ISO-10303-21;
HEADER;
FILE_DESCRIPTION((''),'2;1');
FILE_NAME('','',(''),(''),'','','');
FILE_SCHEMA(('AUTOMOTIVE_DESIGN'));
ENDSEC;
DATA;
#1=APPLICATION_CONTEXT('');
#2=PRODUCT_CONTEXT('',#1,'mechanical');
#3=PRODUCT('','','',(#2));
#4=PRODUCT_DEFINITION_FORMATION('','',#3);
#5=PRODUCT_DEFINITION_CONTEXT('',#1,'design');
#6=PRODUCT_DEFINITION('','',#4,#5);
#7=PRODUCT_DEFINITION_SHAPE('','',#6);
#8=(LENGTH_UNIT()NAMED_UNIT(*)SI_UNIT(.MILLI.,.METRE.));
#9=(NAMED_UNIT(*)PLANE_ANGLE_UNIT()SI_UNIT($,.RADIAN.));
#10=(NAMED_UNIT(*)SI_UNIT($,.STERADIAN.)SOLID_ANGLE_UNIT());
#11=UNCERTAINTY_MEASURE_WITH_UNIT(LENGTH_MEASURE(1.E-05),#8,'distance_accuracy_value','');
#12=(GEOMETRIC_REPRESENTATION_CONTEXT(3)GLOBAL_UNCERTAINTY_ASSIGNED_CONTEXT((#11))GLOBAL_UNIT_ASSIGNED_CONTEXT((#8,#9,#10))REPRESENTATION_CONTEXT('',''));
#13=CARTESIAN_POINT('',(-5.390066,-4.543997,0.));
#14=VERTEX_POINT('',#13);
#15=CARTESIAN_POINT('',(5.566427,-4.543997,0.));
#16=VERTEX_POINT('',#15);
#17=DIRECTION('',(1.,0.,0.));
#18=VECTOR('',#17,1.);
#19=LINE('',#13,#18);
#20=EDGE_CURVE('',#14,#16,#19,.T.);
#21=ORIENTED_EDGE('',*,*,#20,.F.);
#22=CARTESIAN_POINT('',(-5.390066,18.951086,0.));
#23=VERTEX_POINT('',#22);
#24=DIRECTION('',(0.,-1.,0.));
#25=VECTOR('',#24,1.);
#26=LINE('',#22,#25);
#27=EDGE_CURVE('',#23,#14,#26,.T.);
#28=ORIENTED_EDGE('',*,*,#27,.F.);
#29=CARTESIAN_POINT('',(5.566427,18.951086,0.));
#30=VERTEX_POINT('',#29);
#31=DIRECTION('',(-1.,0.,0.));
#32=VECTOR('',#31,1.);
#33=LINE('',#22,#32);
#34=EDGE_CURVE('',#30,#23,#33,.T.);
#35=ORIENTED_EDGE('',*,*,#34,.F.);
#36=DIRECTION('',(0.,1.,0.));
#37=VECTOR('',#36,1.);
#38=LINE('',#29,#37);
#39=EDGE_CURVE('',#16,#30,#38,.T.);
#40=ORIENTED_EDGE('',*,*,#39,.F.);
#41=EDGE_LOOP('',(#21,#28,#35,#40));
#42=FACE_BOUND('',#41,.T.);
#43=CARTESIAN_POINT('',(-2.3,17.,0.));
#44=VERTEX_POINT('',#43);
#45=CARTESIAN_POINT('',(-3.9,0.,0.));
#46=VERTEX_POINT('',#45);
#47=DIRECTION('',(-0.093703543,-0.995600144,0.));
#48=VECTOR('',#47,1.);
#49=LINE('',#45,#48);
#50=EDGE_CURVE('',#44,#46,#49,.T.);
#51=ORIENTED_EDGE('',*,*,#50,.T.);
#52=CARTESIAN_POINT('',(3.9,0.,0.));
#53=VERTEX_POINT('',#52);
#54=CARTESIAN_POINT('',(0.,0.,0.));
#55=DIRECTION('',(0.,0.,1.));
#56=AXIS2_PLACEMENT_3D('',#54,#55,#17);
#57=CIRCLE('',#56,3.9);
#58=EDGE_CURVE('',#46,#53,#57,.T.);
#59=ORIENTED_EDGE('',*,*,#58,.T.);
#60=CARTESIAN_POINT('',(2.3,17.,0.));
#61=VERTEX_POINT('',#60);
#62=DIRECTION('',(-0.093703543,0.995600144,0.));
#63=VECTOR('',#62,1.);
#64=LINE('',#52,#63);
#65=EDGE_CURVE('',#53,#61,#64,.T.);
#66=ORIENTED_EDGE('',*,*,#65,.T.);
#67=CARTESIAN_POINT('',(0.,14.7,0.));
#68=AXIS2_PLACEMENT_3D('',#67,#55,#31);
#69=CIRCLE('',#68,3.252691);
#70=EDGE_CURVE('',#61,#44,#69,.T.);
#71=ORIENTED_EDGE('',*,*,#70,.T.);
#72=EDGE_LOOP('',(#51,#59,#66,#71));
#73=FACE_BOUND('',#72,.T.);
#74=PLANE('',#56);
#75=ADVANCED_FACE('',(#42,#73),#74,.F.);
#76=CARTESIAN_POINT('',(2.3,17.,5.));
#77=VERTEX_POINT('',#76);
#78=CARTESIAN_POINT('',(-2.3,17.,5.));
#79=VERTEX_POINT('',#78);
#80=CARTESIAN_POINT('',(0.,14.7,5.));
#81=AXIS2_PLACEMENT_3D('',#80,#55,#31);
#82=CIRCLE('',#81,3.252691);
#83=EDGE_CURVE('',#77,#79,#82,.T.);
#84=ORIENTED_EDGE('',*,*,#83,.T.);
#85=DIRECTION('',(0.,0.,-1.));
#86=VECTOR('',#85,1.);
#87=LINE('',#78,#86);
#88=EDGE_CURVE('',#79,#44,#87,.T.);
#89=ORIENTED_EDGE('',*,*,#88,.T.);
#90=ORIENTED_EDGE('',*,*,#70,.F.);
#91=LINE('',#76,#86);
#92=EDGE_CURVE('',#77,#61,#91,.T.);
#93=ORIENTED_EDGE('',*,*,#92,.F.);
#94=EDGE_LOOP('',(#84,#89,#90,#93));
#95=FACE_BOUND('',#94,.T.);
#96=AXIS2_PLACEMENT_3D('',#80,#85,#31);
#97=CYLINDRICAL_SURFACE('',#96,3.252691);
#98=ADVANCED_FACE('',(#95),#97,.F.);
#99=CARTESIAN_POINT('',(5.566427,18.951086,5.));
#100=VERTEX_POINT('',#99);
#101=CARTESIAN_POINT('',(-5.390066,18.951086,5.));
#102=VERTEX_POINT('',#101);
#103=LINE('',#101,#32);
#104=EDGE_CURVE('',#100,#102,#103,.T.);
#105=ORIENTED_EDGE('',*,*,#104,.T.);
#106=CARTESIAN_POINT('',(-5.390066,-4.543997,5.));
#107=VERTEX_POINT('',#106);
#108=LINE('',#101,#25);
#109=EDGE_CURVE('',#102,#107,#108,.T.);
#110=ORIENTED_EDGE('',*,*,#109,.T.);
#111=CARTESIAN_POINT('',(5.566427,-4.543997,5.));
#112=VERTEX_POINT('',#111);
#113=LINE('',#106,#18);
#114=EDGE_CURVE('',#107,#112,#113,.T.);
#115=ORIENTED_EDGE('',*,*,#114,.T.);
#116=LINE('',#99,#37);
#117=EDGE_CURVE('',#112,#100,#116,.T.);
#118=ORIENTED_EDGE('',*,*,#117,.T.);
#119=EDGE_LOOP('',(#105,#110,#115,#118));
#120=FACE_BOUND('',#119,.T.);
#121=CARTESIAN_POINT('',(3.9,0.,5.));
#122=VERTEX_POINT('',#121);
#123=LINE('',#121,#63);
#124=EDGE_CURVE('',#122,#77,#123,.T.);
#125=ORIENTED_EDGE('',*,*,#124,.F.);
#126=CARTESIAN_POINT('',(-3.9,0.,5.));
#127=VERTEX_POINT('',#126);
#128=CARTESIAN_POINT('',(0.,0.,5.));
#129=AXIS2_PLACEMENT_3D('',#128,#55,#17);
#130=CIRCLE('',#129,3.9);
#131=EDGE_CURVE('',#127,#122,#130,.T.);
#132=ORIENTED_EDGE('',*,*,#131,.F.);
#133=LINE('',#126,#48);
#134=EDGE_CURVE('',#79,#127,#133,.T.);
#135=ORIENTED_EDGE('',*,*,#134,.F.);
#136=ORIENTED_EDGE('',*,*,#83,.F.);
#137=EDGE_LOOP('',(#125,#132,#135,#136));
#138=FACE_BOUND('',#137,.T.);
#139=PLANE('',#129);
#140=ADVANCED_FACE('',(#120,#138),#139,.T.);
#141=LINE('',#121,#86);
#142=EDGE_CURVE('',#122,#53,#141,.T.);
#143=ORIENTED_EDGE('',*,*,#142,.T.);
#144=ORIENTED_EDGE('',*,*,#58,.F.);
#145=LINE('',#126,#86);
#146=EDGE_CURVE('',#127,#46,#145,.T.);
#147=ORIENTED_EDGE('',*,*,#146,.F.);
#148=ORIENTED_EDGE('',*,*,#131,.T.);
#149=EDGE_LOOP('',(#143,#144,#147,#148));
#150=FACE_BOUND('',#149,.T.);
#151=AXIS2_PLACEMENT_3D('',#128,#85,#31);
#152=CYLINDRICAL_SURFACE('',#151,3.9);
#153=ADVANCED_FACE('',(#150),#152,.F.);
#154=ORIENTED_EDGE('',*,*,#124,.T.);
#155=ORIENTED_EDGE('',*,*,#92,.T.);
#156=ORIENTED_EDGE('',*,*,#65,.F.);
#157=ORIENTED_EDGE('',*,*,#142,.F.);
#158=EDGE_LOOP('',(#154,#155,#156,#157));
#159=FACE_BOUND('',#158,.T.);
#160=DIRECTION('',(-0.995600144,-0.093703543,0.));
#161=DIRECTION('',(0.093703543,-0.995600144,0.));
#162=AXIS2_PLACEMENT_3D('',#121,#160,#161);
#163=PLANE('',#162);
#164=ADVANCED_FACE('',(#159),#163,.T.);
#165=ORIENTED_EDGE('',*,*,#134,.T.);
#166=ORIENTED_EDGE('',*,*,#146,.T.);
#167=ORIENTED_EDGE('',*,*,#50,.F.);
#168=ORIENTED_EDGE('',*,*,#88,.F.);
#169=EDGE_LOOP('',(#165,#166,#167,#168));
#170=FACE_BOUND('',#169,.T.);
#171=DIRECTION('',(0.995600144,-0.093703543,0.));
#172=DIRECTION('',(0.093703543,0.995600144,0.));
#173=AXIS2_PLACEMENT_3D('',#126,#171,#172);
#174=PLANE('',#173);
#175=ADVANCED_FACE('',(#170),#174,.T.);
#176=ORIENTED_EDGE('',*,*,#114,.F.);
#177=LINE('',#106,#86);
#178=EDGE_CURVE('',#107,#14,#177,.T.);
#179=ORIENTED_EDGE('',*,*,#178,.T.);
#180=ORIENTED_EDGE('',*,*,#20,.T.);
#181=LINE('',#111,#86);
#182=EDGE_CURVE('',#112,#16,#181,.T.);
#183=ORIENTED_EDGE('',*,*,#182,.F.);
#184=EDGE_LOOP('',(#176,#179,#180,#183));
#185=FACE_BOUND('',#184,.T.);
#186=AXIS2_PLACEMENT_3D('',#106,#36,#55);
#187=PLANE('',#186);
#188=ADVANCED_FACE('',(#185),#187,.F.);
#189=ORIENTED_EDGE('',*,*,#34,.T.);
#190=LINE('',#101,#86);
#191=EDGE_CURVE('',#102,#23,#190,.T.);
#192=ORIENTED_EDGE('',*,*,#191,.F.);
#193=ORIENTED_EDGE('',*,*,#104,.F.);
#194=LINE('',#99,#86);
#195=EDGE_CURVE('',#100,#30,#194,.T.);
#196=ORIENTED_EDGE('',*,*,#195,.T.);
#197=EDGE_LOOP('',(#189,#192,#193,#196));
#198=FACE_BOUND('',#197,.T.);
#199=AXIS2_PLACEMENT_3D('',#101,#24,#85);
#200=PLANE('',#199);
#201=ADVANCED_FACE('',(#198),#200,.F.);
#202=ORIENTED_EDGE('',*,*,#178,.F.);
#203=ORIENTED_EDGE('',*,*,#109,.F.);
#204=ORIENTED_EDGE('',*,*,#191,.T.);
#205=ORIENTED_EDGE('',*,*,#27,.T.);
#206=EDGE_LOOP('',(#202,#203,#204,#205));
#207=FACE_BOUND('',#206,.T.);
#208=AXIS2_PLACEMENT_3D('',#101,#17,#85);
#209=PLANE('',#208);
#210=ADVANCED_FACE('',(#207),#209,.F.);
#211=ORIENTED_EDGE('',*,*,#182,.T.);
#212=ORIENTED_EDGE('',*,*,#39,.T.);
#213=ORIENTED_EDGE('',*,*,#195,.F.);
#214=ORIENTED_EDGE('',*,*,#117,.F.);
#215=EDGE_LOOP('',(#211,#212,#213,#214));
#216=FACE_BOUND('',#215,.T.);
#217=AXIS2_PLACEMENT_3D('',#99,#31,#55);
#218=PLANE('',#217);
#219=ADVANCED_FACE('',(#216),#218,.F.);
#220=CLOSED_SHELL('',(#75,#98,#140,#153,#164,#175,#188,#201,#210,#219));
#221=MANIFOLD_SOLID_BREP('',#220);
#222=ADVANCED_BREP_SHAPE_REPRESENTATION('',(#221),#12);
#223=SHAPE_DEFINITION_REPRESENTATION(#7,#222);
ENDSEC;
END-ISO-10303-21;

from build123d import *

# Parameters (mm, degrees)
SKETCH2_W           = 10.956492914
SKETCH2_H           = 23.495083139
BOSS_EXTRUDE1_DEPTH = 5


with BuildPart() as part:
    # Sketch2 → Boss-Extrude1 (new body)
    with BuildSketch(Plane.XY):
        with Locations((0.088180449, 7.203544187)):
            Rectangle(SKETCH2_W, SKETCH2_H)
        with BuildLine():
            Line((-3.9, 0), (-2.3, 17))
            ThreePointArc((-2.3, 17), (0, 17.952691193), (2.3, 17))
            Line((2.3, 17), (3.9, 0))
            ThreePointArc((3.9, 0), (0, -3.9), (-3.9, 0))
        make_face(mode=Mode.SUBTRACT)
    extrude(amount=BOSS_EXTRUDE1_DEPTH)


solid = part.part
